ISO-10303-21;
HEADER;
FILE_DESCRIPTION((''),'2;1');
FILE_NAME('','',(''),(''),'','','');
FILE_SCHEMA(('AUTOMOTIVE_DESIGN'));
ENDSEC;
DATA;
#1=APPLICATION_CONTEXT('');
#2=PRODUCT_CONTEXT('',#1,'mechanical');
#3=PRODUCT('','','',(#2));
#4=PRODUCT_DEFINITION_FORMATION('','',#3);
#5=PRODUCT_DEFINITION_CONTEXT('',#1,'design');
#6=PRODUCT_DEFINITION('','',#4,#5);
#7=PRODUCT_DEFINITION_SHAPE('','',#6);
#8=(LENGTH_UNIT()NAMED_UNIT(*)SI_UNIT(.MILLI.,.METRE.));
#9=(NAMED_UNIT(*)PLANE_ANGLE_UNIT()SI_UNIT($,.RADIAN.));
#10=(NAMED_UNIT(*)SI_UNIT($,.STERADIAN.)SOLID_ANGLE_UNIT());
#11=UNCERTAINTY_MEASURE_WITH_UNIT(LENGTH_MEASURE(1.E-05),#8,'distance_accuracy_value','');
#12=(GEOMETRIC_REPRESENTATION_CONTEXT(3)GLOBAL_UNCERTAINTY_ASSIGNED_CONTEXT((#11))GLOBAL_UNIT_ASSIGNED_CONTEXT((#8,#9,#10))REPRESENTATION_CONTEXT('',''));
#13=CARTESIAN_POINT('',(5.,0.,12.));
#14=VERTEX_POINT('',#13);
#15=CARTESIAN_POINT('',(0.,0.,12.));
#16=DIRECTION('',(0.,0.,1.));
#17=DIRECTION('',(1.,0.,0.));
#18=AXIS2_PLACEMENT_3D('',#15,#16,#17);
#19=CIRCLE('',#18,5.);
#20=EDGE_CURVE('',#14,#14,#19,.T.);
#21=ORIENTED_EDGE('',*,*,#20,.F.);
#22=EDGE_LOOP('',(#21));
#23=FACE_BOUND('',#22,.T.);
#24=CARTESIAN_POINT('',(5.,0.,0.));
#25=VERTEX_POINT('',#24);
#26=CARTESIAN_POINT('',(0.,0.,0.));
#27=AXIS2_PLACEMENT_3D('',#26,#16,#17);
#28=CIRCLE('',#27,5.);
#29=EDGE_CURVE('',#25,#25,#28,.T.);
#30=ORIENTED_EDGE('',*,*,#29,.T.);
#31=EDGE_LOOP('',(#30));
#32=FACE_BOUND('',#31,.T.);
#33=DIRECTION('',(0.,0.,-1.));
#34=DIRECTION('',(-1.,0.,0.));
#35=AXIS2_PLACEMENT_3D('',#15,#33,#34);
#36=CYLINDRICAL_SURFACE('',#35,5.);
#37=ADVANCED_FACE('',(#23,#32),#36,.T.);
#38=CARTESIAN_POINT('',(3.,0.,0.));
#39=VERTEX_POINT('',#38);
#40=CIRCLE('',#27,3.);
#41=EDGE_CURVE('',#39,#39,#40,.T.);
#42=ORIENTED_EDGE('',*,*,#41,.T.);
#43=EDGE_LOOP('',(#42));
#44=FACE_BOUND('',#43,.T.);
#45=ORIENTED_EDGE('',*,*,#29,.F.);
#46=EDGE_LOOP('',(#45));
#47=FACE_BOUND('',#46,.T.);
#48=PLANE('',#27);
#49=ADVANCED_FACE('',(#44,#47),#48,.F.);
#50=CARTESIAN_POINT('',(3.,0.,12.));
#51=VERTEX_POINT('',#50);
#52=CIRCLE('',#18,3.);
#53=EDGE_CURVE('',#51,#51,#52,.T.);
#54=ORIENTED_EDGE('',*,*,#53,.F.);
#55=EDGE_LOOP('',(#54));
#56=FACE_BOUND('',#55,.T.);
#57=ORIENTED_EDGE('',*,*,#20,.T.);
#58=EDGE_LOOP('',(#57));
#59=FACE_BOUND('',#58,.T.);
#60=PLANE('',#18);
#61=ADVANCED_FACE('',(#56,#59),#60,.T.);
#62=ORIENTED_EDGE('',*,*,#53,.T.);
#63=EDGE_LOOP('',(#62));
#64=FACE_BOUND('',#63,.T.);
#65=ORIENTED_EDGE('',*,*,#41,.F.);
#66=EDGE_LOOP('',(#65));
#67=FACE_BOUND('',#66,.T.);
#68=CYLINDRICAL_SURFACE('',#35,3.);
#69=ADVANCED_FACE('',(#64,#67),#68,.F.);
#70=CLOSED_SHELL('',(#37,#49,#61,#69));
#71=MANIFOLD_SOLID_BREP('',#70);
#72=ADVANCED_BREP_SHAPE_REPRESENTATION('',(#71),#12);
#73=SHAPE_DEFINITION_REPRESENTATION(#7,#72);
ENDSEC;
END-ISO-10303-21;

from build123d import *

# Parameters (mm, degrees)
ESBO_O1_R                = 5
ESBO_O1_R_2              = 3
RESSALTO_EXTRUS_O1_DEPTH = 12


with BuildPart() as part:
    # Esboço1 → Ressalto-extrusão1 (new body)
    with BuildSketch(Plane.XY):
        Circle(ESBO_O1_R)
        Circle(ESBO_O1_R_2, mode=Mode.SUBTRACT)
    extrude(amount=RESSALTO_EXTRUS_O1_DEPTH)


solid = part.part
